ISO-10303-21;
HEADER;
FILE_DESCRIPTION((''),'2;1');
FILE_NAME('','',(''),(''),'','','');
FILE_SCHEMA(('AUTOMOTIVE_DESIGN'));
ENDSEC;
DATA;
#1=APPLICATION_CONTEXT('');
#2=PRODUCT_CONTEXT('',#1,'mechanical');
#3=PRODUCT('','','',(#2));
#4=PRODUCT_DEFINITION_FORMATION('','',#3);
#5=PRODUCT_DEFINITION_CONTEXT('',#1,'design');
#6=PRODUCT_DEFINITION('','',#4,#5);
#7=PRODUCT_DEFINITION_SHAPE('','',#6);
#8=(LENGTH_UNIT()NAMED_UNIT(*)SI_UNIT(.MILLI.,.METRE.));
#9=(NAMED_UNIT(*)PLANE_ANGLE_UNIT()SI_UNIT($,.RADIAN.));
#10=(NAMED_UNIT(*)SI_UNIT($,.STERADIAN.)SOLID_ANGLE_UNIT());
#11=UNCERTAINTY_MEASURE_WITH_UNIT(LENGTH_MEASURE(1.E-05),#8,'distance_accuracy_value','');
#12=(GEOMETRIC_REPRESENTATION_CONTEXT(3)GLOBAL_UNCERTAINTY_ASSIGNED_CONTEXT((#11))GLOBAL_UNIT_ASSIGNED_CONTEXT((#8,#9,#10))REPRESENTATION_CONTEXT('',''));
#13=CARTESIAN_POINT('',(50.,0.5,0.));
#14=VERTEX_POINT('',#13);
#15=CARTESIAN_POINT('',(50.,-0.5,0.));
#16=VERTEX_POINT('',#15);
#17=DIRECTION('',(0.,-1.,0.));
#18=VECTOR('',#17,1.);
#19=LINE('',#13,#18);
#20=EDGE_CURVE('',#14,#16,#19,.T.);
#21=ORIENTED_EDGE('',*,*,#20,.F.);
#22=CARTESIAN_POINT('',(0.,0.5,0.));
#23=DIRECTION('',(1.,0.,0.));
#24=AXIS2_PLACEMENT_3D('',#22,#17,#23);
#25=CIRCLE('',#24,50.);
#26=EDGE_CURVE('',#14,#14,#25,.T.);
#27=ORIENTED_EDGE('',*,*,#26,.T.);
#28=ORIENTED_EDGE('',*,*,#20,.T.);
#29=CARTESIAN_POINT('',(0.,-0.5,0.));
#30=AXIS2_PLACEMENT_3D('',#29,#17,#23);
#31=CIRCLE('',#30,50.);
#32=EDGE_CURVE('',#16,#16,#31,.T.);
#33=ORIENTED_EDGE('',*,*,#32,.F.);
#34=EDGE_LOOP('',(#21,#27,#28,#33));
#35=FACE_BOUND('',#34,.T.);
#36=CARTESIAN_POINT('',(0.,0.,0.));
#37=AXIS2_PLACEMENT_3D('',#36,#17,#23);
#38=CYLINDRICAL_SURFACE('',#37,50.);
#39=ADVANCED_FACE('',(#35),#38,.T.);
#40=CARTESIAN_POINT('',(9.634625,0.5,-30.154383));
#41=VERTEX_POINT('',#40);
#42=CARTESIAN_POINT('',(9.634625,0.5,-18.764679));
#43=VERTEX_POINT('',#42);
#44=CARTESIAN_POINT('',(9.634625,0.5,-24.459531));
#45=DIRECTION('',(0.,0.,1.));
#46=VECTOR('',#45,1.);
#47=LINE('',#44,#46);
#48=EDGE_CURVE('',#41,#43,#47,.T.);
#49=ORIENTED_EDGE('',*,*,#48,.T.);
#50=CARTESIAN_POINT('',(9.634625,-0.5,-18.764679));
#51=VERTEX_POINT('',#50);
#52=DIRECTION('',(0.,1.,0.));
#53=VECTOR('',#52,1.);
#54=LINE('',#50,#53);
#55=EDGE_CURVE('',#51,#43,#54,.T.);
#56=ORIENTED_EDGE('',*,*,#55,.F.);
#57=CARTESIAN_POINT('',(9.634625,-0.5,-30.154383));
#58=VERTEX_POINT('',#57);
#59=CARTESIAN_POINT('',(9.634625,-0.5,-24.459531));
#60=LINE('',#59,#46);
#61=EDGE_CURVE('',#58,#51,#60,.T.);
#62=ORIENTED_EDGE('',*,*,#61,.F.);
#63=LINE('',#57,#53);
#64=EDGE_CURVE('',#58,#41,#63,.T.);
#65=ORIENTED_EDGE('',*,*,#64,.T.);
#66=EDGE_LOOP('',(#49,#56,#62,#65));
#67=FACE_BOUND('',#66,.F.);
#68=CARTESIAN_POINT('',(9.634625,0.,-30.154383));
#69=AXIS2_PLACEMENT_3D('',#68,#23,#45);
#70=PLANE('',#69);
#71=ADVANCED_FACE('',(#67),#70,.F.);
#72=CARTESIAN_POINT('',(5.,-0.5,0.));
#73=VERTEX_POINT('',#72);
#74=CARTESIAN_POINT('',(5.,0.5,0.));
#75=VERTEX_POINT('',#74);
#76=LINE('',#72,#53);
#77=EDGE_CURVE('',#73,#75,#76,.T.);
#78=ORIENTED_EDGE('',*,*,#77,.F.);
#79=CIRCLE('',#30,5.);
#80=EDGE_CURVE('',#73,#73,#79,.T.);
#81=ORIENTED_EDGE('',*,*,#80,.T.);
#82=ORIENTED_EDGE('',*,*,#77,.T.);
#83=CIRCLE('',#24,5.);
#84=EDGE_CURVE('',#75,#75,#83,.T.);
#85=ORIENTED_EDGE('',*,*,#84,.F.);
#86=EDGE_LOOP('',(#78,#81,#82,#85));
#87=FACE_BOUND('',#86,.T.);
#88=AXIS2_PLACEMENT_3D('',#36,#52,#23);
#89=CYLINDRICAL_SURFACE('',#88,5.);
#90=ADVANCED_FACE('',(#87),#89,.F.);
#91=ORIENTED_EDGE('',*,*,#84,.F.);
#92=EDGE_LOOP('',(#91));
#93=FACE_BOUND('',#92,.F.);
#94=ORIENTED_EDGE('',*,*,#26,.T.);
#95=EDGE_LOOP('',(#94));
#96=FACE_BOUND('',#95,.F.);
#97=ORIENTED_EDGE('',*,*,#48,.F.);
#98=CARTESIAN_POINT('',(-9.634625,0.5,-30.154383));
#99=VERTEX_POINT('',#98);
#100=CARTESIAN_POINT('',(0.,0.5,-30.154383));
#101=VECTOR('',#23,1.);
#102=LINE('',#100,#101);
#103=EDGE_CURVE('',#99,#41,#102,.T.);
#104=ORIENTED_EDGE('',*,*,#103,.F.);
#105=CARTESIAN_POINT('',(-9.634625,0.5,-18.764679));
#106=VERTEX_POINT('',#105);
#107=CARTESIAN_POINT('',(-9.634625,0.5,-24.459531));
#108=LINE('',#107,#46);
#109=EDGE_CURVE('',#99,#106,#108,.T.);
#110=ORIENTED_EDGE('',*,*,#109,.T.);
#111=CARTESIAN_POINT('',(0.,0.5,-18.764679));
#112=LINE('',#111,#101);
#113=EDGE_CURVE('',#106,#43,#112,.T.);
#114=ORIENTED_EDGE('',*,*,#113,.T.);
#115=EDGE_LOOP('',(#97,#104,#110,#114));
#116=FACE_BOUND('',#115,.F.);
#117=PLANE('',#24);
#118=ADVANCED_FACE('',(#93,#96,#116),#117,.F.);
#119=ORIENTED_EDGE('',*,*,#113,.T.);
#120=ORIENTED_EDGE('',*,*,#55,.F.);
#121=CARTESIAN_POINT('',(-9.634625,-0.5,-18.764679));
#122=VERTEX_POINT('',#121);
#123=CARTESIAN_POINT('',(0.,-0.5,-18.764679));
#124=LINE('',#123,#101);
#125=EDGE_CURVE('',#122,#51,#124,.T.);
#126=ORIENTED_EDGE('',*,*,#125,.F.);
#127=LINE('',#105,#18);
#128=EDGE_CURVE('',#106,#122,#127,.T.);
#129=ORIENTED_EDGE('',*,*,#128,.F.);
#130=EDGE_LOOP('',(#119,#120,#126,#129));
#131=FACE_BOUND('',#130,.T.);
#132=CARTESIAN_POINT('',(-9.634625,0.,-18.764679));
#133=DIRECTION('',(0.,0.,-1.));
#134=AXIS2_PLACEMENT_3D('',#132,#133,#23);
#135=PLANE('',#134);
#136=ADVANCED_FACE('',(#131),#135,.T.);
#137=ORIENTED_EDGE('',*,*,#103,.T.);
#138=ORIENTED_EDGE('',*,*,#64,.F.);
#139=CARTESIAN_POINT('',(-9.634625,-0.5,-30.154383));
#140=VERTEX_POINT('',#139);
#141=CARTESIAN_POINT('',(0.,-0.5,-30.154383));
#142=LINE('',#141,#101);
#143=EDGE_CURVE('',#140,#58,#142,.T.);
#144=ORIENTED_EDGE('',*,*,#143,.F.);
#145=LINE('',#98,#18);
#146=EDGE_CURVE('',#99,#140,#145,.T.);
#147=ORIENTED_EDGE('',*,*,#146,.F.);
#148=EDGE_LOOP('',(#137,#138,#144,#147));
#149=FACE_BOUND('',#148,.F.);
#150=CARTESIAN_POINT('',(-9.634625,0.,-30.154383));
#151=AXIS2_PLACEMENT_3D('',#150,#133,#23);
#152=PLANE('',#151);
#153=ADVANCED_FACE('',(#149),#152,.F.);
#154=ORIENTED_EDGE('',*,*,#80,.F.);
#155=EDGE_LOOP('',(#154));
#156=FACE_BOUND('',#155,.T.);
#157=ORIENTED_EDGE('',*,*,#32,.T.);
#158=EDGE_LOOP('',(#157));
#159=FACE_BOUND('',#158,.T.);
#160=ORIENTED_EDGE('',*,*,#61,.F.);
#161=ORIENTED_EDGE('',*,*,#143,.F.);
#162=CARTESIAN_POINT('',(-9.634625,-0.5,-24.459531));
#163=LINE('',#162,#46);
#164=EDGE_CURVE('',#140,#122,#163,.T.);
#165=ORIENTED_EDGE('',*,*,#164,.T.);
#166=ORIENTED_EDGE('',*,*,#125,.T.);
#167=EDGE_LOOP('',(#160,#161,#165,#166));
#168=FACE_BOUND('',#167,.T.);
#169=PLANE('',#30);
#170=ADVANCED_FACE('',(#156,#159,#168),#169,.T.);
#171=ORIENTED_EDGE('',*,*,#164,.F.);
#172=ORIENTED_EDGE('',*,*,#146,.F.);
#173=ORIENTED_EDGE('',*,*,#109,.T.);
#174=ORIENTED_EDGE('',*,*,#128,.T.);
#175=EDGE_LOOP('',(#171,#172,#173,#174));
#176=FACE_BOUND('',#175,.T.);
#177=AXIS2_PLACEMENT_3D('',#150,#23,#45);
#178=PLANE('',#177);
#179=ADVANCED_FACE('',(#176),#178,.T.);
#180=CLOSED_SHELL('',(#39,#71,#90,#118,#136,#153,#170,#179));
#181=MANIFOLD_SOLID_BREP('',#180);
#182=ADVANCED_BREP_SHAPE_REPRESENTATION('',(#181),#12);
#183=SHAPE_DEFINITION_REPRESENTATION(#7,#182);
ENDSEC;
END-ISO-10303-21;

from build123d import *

# Parameters (mm, degrees)
F0_R     = 50
F0_W     = 19.26925
F0_H     = 11.389703
F0_R_2   = 5
F1_DEPTH = 0.5


with BuildPart() as f1:
    # F0 (on Front) → F1 (new body, symmetric)
    with BuildSketch(Plane.XZ):
        Circle(F0_R)
        with Locations((0, -24.459531)):
            Rectangle(F0_W, F0_H, mode=Mode.SUBTRACT)
        Circle(F0_R_2, mode=Mode.SUBTRACT)
    extrude(amount=F1_DEPTH, both=True)


solid = f1.part
